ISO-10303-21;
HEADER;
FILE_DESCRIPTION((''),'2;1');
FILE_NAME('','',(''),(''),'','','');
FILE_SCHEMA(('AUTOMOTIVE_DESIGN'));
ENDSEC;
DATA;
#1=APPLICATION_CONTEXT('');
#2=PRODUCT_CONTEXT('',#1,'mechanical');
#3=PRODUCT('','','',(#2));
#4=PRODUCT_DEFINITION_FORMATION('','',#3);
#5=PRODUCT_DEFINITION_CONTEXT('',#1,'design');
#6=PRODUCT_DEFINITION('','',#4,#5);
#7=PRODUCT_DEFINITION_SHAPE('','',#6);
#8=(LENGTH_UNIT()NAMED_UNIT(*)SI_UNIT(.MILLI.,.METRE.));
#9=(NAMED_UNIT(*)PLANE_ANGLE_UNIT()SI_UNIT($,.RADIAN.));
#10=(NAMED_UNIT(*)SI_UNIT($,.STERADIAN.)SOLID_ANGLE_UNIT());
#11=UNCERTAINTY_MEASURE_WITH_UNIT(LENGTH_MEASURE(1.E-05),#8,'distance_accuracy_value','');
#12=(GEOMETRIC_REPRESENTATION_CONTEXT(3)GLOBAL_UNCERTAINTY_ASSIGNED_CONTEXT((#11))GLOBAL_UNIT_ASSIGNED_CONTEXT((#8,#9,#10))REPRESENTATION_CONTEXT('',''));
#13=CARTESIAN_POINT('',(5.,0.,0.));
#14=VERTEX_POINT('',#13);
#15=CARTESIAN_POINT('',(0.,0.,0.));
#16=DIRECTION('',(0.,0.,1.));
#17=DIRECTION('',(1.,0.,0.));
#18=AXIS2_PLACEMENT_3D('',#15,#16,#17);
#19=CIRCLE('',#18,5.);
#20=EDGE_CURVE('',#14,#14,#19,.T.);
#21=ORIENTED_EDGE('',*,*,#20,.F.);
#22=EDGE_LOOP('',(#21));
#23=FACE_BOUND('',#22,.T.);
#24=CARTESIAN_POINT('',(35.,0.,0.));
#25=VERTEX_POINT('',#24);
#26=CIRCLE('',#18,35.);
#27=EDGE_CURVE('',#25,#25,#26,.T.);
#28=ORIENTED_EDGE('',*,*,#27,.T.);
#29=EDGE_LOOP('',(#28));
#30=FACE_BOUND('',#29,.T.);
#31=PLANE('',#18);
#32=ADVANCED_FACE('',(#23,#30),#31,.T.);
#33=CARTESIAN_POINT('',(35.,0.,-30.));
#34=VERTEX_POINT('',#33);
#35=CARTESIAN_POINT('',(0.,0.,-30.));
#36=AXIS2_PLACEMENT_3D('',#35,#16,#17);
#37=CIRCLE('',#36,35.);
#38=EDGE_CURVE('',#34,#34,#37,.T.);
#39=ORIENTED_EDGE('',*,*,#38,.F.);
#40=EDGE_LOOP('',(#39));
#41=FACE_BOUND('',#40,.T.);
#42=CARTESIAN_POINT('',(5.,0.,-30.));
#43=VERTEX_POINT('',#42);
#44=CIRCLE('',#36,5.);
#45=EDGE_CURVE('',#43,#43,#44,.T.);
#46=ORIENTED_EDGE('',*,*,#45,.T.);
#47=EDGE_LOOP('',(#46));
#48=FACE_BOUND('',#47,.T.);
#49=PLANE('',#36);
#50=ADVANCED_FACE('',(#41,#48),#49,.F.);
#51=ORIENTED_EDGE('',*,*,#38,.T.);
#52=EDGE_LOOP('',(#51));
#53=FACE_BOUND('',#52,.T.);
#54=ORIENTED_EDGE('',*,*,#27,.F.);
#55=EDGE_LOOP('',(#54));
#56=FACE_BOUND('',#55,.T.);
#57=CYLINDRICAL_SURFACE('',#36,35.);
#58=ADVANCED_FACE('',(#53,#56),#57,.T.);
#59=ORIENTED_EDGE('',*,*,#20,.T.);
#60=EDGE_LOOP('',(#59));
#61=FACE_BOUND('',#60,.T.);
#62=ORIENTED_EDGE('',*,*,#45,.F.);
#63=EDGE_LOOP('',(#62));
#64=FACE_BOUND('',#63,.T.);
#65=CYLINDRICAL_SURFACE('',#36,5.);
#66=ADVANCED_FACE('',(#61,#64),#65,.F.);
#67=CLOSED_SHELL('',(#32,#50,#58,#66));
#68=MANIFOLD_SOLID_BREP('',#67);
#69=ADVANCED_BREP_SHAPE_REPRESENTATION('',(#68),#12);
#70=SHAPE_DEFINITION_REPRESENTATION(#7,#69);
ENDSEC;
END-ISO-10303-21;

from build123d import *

# Parameters (mm, degrees)
SKETCH1_R           = 35
BOSS_EXTRUDE1_DEPTH = 30
SKETCH2_R           = 5
CUT_EXTRUDE1_DEPTH  = 30


with BuildPart() as part:
    # Sketch1 → Boss-Extrude1 (new body)
    with BuildSketch(Plane.XY):
        Circle(SKETCH1_R)
    extrude(amount=-BOSS_EXTRUDE1_DEPTH)

    # Sketch2 → Cut-Extrude1 (cut)
    with BuildSketch(Plane.XY):
        Circle(SKETCH2_R)
    extrude(amount=-CUT_EXTRUDE1_DEPTH, mode=Mode.SUBTRACT)


solid = part.part
